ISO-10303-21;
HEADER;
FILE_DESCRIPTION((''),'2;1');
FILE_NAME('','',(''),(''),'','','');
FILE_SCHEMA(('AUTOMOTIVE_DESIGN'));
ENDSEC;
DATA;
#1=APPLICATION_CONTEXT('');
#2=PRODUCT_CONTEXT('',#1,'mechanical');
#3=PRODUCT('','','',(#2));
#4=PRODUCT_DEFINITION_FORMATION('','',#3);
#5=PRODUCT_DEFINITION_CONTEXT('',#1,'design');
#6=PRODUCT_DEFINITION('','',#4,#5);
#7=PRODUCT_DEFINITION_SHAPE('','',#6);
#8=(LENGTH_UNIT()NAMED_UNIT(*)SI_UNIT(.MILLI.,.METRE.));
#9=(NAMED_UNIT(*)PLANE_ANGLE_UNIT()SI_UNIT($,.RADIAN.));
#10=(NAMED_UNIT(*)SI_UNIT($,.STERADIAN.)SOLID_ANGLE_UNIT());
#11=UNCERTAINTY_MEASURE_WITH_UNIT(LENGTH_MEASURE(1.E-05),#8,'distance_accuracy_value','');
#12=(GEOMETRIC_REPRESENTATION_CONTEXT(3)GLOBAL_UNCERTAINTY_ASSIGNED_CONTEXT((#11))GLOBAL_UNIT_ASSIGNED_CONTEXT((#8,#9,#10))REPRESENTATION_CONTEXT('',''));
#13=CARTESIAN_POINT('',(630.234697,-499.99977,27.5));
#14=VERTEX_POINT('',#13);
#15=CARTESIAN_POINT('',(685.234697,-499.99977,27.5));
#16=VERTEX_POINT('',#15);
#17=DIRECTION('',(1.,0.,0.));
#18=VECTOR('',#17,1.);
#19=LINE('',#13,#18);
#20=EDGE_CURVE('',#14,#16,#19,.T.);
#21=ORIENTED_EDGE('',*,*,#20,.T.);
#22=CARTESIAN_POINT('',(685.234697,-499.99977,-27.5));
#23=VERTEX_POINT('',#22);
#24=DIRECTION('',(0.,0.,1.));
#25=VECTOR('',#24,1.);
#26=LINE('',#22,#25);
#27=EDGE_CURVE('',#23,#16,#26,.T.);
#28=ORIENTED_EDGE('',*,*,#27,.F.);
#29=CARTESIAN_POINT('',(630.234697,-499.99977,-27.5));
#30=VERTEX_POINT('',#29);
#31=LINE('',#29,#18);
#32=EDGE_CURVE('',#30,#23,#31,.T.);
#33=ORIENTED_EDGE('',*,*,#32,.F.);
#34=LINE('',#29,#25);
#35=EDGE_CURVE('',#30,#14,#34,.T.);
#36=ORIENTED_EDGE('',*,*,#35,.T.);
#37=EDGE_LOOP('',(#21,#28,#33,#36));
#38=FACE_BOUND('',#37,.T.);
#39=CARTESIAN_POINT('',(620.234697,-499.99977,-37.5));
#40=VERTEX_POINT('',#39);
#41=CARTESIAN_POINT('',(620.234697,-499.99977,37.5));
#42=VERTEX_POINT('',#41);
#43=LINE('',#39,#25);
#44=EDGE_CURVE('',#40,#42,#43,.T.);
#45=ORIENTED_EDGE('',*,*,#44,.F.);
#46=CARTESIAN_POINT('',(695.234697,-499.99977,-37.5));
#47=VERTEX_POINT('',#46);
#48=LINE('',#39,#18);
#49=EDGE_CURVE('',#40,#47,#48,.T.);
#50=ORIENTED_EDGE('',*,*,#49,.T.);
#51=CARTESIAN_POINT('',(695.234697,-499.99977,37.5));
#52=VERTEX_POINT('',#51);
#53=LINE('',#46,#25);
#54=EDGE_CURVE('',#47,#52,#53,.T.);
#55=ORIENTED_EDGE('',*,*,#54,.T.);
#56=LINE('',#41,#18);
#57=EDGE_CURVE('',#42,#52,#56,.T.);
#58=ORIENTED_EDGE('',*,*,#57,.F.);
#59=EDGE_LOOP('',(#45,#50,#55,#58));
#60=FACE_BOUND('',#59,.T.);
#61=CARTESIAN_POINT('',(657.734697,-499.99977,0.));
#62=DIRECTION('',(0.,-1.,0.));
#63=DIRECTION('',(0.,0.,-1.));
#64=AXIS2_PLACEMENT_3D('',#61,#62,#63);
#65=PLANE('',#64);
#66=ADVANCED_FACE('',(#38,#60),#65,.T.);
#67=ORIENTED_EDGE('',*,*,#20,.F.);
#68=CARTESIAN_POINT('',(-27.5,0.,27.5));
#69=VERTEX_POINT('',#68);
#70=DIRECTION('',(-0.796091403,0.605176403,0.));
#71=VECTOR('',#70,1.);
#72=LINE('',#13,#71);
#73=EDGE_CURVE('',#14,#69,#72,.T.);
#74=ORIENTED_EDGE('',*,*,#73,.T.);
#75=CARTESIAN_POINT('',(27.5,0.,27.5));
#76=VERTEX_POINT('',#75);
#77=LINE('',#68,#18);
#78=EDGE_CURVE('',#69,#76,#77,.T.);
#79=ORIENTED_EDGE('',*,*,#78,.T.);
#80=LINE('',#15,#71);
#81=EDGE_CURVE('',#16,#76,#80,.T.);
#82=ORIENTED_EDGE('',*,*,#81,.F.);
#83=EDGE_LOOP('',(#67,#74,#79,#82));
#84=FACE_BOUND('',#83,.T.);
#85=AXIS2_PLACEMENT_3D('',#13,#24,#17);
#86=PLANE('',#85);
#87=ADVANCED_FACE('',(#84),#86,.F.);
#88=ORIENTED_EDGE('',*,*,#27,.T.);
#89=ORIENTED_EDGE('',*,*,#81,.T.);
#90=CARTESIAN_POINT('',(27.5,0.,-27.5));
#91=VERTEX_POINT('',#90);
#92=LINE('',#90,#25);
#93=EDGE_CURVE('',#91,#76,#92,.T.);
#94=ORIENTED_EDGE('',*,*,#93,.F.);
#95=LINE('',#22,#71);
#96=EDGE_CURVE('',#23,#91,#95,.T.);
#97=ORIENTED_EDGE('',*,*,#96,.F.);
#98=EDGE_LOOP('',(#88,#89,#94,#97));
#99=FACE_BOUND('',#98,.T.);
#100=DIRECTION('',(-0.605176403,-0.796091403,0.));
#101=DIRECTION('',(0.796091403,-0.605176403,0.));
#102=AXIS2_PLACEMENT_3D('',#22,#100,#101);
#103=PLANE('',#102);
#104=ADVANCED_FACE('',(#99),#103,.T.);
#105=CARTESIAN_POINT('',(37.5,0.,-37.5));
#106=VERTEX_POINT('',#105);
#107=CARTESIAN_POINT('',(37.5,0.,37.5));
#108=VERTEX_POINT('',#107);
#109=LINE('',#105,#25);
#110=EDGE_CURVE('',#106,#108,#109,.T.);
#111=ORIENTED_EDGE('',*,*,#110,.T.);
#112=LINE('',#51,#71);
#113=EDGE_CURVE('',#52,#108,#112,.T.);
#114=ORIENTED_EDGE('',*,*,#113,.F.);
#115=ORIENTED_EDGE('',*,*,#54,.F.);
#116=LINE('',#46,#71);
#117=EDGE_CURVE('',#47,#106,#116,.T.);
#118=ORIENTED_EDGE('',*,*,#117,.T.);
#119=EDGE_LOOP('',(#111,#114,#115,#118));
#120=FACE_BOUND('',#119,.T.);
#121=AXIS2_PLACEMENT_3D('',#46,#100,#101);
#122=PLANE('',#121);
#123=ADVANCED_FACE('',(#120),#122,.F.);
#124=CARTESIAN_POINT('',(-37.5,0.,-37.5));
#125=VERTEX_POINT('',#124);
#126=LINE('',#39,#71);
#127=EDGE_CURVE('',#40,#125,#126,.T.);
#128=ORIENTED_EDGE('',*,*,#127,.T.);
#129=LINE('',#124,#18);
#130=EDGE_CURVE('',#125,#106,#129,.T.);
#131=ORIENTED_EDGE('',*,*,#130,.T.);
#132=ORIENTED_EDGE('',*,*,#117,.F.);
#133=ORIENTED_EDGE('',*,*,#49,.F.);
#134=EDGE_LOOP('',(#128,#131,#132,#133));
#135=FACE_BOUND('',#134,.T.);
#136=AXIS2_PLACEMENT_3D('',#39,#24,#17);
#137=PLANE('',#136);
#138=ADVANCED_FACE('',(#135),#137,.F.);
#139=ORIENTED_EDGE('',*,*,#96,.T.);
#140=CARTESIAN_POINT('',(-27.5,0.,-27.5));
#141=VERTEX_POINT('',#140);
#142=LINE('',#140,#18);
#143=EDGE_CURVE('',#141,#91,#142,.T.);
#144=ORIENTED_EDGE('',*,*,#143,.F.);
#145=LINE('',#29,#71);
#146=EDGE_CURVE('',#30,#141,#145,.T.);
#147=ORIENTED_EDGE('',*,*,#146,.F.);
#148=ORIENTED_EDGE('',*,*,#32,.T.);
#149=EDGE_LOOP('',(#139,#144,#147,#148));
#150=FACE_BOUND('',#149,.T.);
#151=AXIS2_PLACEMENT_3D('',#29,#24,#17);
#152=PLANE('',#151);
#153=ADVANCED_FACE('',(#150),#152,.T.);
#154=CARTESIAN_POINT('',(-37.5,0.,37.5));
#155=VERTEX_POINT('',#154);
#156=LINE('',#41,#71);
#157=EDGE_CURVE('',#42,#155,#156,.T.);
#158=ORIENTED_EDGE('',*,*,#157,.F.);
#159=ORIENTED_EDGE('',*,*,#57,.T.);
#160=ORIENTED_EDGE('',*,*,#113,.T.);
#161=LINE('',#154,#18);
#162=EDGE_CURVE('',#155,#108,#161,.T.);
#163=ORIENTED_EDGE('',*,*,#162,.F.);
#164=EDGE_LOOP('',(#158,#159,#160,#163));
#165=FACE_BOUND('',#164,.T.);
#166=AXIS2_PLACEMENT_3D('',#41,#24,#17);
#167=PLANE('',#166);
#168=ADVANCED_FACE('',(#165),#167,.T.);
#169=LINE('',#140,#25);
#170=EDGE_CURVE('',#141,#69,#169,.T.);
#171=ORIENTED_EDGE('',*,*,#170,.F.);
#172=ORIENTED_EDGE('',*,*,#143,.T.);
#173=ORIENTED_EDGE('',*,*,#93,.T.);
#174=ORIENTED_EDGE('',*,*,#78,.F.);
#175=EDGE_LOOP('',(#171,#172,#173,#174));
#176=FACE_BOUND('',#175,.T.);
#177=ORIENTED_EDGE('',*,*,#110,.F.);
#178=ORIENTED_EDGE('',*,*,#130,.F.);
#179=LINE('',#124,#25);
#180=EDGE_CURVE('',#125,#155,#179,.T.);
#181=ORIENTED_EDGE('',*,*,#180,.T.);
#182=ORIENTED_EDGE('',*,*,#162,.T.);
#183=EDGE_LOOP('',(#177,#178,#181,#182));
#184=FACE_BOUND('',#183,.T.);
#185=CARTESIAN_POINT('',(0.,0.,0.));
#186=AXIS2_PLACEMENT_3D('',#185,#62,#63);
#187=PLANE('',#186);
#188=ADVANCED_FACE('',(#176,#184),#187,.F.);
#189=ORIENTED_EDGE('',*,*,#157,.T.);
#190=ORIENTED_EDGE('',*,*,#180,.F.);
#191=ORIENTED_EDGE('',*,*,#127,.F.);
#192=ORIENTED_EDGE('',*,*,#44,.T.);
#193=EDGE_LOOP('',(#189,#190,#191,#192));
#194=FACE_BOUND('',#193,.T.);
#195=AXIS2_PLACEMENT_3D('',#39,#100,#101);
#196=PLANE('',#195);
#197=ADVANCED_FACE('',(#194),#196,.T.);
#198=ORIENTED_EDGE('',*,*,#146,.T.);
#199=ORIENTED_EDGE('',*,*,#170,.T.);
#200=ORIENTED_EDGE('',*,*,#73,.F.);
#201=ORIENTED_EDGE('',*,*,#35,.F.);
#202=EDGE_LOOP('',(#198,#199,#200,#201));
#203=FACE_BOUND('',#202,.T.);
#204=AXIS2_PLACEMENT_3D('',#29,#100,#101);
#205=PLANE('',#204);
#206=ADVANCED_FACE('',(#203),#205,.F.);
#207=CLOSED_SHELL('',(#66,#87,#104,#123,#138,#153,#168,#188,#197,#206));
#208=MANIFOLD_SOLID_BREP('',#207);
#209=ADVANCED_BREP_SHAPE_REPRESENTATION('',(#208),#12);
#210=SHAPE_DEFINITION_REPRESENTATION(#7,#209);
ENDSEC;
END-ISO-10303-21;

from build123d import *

# Parameters (mm, degrees)
SKETCH3_W           = 75
SKETCH3_H           = 75
SKETCH3_W_2         = 55
SKETCH3_H_2         = 55
BOSS_EXTRUDE2_DEPTH = 826.205


with BuildPart() as part:
    # Sketch3 → Boss-Extrude2 (new, along a direction that is not the sketch's normal)
    with BuildSketch(Plane(origin=(0, 0, 0), x_dir=(1, 0, 0), z_dir=(0, 1, 0))):
        Rectangle(SKETCH3_W, SKETCH3_H)
        Rectangle(SKETCH3_W_2, SKETCH3_H_2, mode=Mode.SUBTRACT)
    extrude(amount=-BOSS_EXTRUDE2_DEPTH, dir=(-0.7960914026765946, 0.6051764028648275, 0))


solid = part.part
